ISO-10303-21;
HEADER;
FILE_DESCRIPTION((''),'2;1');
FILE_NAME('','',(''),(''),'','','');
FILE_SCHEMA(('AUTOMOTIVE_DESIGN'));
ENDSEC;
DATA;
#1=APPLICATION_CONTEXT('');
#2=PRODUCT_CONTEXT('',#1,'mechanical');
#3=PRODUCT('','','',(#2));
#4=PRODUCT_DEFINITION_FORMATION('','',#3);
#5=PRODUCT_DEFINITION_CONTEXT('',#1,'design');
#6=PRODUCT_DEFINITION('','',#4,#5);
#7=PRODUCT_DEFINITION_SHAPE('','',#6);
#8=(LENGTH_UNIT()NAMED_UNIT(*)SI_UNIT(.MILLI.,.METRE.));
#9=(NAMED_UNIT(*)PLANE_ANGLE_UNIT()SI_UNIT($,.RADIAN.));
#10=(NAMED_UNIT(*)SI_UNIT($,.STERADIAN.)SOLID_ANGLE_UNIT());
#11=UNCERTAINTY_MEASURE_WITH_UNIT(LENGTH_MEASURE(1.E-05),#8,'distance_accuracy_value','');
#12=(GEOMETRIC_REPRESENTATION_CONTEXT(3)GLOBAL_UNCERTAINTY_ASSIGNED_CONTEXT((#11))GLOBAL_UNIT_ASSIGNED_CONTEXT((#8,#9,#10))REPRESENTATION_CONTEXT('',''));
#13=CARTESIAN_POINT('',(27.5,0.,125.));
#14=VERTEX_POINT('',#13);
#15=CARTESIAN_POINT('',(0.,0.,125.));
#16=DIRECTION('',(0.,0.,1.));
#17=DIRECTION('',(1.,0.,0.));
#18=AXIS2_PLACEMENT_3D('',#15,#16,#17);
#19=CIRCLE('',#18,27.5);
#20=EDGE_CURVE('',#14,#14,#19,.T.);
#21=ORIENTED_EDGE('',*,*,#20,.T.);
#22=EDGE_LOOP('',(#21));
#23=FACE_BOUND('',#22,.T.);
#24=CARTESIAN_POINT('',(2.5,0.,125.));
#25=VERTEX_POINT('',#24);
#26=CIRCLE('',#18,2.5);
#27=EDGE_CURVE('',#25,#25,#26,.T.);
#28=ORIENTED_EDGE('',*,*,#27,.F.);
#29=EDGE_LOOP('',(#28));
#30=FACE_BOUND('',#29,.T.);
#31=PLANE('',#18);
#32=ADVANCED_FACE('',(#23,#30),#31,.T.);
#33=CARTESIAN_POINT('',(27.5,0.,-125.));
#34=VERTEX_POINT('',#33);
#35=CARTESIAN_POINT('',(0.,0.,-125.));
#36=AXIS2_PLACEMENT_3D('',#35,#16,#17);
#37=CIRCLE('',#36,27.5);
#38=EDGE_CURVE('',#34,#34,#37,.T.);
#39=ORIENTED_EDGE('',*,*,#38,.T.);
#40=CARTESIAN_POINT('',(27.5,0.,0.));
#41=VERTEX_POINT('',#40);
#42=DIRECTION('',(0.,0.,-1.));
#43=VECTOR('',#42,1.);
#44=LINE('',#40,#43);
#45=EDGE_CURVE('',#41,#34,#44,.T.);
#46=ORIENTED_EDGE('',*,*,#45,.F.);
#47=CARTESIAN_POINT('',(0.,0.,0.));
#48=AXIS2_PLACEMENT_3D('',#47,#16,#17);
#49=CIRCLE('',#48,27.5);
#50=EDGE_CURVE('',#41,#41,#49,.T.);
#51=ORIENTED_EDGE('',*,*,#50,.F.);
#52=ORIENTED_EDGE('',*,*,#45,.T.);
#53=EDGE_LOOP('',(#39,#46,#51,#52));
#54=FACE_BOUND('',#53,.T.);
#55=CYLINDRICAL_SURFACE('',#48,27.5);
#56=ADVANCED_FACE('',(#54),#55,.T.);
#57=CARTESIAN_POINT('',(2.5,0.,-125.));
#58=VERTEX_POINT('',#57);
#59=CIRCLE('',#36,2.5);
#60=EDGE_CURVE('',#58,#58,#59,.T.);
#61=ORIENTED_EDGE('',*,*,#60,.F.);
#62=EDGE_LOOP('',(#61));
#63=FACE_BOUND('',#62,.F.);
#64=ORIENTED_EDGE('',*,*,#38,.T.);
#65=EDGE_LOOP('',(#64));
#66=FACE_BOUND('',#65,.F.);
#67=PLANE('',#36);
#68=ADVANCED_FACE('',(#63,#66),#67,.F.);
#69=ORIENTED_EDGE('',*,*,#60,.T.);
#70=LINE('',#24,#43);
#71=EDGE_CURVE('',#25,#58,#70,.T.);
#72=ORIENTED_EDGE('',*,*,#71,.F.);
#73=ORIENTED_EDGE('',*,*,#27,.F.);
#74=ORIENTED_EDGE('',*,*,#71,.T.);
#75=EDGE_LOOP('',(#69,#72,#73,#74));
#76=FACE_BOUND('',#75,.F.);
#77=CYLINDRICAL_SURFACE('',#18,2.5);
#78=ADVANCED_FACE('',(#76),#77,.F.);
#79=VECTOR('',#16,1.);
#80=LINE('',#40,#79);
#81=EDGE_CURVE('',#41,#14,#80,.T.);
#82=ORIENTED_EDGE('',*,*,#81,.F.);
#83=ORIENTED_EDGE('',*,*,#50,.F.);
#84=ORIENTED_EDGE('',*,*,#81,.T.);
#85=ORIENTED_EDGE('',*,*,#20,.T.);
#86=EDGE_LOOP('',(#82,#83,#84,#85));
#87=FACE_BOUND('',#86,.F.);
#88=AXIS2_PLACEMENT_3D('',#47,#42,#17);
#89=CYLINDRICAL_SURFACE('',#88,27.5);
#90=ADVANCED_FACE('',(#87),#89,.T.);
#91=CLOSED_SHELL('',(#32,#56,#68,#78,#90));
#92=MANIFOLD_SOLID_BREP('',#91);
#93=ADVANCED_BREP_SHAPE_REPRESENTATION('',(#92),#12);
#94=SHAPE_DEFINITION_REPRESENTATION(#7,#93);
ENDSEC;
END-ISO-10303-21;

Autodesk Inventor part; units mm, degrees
ref_plane "XZ Plane" through (0, 0, 0) normal (0, 1, 0) x (-1, 0, 0)
ref_plane "XY Plane" through (0, 0, 0) normal (0, 0, 1) x (1, 0, 0)
sketch "Sketch1" plane through (0, 0, 0) normal (0, 0, 1) x (1, 0, 0)
  circle A0 centre (0, 0) radius 27.5
  dimension "d0" = 55
extrude "Extrusion1" add sketch "Sketch1" along normal mid plane 250
sketch "Sketch2" plane through (0, 0, 125) normal (0, 0, 1) x (1, 0, 0)
  circle A0 centre (0, 0) radius 2.5
  dimension "d3" = 5
extrude "Extrusion2" cut sketch "Sketch2" against normal blind 250
properties part number "12"
